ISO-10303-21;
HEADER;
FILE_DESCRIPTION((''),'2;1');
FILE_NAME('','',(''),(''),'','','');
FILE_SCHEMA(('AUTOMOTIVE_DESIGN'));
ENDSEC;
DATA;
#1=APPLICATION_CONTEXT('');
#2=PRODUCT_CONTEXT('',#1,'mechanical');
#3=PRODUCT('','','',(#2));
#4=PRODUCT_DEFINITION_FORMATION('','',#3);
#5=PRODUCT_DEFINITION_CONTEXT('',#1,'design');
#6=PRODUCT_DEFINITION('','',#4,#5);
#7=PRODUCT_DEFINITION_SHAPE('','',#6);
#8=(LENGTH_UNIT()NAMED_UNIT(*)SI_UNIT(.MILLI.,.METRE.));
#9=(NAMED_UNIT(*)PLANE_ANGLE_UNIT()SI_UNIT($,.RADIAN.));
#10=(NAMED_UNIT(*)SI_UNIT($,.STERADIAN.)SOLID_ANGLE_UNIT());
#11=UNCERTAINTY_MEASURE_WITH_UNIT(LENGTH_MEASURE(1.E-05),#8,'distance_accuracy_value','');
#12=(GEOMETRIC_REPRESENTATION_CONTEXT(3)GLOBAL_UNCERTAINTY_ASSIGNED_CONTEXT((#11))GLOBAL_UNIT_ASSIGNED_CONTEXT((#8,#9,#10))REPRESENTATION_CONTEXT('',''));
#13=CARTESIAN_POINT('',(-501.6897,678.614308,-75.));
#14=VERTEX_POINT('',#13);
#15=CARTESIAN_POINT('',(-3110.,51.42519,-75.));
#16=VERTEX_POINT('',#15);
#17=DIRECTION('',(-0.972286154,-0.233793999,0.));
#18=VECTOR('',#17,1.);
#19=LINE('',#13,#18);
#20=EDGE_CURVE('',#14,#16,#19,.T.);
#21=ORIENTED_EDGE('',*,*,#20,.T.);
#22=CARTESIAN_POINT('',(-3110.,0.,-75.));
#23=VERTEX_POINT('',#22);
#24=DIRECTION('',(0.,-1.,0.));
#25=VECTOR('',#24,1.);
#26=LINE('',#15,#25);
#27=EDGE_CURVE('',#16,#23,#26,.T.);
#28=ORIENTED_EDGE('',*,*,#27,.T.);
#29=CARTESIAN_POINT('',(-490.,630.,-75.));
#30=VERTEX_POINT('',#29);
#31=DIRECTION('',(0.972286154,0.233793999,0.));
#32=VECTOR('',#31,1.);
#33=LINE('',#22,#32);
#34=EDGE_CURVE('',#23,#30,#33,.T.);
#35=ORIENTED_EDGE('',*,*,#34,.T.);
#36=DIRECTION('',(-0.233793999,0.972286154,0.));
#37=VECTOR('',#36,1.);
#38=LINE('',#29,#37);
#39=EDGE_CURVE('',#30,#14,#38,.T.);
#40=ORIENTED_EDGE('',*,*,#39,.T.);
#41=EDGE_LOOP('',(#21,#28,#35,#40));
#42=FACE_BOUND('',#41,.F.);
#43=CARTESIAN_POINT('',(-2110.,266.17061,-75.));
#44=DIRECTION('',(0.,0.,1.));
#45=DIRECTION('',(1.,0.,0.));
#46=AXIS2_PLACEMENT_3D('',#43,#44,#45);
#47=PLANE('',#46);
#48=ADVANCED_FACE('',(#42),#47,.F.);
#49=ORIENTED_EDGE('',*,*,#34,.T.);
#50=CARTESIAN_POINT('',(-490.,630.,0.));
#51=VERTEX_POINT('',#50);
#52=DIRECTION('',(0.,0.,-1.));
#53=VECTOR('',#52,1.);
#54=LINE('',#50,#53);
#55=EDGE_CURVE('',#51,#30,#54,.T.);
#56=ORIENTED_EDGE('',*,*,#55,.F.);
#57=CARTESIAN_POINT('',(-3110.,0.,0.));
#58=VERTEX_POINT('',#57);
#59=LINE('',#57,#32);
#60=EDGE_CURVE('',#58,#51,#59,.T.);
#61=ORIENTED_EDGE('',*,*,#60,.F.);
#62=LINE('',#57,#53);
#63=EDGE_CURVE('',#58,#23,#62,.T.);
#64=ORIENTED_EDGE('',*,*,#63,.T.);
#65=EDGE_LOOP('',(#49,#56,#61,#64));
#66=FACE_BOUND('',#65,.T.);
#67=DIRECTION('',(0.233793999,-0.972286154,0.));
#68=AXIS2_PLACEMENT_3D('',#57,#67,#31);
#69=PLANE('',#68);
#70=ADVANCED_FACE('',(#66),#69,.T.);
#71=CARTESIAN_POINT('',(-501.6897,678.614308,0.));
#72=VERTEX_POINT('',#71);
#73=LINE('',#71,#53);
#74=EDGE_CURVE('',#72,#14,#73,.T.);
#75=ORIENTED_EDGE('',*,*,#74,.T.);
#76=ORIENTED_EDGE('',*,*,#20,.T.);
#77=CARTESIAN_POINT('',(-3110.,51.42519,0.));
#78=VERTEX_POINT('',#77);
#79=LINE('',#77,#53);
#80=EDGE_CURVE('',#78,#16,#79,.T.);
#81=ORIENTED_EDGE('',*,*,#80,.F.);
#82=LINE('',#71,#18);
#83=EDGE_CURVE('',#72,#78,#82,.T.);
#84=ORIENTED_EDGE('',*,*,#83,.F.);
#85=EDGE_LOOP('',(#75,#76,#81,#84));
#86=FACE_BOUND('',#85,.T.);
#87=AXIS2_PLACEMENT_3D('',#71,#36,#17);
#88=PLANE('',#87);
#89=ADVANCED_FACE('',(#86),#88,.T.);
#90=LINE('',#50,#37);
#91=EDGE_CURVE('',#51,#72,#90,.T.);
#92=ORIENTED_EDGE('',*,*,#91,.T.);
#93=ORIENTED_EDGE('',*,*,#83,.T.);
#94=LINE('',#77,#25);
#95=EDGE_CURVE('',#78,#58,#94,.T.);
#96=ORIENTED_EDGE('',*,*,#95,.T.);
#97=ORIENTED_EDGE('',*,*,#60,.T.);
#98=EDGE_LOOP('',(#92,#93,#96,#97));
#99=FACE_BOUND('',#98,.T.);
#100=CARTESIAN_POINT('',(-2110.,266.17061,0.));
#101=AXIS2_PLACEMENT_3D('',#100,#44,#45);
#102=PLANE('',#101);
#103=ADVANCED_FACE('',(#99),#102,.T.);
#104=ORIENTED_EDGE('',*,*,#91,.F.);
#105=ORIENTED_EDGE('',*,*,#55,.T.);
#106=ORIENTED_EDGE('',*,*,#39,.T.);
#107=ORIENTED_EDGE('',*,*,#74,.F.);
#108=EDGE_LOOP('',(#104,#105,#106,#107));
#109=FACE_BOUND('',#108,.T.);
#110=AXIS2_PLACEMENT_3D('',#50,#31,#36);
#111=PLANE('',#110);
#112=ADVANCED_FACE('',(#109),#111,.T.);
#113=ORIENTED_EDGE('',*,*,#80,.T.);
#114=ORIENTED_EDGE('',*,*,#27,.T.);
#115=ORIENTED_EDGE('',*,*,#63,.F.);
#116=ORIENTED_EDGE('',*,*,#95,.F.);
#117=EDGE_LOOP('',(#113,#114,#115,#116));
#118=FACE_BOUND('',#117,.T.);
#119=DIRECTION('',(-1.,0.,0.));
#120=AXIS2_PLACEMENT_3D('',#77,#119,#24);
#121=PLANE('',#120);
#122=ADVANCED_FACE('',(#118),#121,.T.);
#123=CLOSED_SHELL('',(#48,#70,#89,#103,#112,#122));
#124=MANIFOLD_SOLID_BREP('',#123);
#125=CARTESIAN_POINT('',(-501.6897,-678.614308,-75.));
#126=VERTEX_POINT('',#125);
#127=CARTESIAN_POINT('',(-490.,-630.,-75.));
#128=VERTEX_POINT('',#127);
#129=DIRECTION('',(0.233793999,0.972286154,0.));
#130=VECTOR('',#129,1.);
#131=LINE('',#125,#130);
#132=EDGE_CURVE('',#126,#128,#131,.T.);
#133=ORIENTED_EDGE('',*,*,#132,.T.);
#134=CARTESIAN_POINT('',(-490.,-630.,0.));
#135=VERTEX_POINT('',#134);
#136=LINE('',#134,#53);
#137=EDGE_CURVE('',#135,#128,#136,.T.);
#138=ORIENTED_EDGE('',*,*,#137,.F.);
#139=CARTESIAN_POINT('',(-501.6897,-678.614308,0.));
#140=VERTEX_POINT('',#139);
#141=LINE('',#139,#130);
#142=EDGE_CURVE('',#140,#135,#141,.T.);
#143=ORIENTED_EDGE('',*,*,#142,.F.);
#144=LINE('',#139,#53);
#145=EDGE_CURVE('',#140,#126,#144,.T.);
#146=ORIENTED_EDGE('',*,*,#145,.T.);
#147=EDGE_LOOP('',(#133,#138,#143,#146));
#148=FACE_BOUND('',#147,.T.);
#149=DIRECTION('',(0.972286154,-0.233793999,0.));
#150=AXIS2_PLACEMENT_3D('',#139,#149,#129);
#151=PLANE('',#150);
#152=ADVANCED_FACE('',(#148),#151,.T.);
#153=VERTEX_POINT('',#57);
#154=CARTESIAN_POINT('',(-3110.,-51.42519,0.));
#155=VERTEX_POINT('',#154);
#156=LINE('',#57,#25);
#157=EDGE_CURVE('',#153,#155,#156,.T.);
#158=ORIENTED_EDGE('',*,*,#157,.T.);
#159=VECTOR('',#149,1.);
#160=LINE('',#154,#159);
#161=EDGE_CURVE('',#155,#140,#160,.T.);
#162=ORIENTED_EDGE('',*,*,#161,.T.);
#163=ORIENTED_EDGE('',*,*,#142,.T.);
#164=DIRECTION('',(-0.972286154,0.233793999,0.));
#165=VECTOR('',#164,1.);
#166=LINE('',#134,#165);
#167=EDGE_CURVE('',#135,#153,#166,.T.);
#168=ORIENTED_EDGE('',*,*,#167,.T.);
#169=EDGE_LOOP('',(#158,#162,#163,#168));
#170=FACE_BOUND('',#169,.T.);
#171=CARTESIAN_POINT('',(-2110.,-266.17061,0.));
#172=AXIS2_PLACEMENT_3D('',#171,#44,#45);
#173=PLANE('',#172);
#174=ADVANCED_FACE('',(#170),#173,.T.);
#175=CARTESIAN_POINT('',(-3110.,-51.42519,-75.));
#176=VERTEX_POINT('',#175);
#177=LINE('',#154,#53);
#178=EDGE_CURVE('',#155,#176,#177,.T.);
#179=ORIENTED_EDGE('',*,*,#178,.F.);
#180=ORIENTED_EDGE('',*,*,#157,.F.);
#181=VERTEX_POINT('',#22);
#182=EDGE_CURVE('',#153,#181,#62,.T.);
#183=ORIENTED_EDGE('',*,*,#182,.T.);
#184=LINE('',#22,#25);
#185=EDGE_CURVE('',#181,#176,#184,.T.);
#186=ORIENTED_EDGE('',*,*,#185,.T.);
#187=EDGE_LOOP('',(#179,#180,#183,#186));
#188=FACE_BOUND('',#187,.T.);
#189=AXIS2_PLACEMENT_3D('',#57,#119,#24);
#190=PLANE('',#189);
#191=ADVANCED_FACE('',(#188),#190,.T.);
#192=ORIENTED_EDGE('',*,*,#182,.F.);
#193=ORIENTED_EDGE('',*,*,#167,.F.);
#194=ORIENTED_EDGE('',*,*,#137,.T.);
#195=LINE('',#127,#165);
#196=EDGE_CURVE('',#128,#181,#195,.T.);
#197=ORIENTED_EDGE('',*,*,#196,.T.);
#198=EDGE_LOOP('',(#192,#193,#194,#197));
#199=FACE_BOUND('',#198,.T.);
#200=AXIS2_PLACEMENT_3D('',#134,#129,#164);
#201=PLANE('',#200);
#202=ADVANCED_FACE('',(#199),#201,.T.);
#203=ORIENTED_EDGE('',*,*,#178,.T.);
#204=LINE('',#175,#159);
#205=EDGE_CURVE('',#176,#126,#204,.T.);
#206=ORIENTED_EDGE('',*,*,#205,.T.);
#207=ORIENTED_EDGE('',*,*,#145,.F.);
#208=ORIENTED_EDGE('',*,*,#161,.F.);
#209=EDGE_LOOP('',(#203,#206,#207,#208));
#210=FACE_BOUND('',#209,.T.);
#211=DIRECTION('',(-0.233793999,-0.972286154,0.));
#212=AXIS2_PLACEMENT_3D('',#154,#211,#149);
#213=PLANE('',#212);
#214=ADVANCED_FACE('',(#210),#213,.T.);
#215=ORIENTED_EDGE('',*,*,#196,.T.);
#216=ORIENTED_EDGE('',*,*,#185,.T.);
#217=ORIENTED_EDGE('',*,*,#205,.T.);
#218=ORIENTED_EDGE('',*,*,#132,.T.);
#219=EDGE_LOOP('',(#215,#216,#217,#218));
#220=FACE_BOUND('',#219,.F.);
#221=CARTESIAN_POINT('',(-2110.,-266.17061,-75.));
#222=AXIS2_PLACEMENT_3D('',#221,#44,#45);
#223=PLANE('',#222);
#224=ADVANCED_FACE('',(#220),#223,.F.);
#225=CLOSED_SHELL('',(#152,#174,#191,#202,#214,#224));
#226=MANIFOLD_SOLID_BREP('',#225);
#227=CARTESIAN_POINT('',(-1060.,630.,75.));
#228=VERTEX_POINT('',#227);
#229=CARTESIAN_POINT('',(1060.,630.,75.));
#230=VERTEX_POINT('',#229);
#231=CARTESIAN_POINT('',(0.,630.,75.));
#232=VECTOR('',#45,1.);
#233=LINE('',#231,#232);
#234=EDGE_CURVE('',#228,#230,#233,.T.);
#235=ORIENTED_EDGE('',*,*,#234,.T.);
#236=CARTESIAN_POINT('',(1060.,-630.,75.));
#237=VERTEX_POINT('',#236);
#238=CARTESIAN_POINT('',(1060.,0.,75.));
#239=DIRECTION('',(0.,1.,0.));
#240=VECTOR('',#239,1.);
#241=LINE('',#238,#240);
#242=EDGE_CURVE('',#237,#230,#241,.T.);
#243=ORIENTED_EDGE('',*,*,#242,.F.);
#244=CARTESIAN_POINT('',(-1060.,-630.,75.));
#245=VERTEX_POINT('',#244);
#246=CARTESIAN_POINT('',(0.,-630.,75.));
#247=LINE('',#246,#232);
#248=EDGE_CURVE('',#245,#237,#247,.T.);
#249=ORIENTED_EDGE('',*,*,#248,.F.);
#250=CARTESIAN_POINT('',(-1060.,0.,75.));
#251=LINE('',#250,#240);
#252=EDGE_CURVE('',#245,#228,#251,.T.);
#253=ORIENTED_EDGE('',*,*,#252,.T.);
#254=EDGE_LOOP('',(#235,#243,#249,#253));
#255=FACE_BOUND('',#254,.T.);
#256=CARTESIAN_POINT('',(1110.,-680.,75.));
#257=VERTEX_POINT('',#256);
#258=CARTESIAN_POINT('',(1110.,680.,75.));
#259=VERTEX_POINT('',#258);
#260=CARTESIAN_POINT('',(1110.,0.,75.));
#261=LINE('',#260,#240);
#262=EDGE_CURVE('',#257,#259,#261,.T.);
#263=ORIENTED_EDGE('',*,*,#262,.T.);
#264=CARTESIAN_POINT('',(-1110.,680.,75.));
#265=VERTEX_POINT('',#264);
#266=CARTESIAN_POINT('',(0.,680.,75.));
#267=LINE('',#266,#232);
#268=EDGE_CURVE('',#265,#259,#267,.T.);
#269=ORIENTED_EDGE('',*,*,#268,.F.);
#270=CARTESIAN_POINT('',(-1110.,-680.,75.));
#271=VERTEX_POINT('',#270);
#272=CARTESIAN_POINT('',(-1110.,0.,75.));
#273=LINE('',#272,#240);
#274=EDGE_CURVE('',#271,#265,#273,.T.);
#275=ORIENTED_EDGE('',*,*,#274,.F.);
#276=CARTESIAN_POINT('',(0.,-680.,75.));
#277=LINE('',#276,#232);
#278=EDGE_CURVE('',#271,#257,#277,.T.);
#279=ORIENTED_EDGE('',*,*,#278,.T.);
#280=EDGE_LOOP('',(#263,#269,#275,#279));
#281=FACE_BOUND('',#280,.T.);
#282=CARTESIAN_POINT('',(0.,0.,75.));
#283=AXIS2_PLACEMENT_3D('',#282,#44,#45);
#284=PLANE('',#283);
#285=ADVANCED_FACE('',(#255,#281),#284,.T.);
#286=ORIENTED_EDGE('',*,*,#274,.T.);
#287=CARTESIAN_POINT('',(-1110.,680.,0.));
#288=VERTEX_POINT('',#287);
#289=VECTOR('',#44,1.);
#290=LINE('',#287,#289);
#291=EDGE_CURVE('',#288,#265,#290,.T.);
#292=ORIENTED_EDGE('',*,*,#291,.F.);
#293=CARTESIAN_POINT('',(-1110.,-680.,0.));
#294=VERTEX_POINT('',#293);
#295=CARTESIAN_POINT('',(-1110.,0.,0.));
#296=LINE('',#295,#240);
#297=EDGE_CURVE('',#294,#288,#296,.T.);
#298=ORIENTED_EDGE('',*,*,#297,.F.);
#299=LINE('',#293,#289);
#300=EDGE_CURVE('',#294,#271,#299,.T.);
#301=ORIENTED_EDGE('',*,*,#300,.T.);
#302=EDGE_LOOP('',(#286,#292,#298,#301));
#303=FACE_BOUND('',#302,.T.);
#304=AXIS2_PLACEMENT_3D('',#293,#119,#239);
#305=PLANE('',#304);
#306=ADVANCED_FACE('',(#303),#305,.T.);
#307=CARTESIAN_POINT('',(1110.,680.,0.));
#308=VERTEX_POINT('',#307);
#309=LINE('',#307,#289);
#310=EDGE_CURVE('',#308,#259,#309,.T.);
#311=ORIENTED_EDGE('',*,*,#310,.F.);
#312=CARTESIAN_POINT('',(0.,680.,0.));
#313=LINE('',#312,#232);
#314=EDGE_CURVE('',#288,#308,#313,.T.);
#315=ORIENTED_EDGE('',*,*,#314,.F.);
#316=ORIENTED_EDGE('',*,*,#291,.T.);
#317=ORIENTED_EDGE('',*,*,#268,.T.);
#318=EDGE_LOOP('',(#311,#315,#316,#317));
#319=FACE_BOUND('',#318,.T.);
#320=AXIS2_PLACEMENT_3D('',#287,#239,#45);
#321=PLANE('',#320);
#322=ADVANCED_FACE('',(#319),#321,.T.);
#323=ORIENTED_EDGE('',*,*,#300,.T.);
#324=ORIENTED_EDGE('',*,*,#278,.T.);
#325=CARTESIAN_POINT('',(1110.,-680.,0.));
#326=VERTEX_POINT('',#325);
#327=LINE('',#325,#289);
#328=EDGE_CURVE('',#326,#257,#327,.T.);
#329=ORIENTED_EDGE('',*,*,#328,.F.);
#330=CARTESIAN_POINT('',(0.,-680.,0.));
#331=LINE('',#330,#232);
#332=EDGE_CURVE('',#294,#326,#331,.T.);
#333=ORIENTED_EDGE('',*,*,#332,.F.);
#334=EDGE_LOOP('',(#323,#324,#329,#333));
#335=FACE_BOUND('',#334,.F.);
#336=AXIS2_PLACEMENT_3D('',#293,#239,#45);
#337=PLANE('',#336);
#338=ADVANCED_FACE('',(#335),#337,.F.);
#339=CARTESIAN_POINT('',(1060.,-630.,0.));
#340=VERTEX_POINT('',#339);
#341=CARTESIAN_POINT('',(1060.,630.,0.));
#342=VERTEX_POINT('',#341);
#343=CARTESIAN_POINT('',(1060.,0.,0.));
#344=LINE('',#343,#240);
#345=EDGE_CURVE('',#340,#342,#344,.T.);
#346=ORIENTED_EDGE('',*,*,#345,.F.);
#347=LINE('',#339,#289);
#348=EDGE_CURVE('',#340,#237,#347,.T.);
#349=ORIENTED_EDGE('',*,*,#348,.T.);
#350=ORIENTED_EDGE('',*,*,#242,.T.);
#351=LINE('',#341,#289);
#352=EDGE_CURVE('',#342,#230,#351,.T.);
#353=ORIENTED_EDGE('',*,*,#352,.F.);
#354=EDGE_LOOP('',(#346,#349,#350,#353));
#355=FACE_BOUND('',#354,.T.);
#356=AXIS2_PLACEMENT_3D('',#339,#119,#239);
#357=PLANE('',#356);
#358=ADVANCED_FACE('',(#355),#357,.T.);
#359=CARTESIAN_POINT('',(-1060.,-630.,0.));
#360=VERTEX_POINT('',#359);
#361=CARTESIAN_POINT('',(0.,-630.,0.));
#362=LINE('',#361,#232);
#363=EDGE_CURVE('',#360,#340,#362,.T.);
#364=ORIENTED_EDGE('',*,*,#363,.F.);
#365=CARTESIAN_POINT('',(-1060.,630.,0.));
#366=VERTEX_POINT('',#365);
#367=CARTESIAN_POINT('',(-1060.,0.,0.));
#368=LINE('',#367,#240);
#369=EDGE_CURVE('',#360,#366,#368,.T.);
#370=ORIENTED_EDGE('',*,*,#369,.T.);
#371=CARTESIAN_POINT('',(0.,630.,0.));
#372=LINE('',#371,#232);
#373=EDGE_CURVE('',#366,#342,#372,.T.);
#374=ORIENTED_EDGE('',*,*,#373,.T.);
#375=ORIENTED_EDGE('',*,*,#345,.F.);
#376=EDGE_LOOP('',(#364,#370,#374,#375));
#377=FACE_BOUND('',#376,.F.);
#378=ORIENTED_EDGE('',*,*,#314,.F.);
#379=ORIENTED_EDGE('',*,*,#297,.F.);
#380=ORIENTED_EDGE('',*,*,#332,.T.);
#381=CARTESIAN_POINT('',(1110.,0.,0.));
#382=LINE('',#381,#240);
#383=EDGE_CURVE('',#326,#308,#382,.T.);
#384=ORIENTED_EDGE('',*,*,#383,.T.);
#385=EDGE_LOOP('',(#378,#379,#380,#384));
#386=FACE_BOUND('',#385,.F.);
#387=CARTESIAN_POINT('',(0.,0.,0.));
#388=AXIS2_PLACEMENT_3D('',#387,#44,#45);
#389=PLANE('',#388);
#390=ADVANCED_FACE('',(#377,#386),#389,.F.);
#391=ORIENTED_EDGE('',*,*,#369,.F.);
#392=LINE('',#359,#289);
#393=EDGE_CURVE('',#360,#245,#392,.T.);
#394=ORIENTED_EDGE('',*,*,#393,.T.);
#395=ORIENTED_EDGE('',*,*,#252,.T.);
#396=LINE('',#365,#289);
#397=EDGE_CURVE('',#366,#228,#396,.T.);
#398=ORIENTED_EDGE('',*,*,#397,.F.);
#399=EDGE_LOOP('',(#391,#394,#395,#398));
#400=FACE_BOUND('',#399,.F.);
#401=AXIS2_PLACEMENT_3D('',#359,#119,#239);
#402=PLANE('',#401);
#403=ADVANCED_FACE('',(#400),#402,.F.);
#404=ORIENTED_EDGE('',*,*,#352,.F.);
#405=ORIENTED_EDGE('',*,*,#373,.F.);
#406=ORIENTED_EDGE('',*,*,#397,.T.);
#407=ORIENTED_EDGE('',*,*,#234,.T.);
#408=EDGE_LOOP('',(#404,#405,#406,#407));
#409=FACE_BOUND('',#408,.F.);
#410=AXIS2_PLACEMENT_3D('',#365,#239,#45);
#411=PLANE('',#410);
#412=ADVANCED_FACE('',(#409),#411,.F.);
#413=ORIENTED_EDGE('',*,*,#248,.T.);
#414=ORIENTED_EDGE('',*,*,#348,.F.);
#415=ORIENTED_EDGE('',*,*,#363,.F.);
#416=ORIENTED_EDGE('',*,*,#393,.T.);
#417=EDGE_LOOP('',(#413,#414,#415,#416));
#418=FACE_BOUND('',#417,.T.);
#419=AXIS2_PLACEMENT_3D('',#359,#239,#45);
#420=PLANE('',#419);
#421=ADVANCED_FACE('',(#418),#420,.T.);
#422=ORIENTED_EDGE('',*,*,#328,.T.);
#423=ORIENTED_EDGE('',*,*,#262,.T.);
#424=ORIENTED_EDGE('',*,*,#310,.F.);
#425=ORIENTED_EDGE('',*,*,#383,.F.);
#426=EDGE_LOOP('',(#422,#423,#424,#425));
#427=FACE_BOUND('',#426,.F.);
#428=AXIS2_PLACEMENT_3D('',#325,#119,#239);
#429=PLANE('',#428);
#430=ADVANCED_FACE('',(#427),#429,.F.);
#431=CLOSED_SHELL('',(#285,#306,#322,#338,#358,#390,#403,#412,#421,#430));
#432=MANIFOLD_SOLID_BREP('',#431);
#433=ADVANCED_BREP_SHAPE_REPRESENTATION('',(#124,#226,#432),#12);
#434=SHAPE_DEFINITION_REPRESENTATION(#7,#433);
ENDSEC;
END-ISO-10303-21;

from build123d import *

# Parameters (mm, degrees)
F0_W     = 2220
F0_H     = 1360
F0_W_2   = 2120
F0_H_2   = 1260
F1_DEPTH = 75
F3_DEPTH = 75


with BuildPart() as f1:
    # F0 (on Top) → F1 (new body)
    with BuildSketch(Plane.XY):
        Rectangle(F0_W, F0_H)
        Rectangle(F0_W_2, F0_H_2, mode=Mode.SUBTRACT)
    extrude(amount=F1_DEPTH)


with BuildPart() as f3:
    # F2 (on Top) → F3 (new body)
    with BuildSketch(Plane.XY):
        Polygon((-3110, -51.4251897689), (-1110, -532.3412203032), (-1110, -480.9160305344), (-3110, 0), align=None)
        Polygon((-1110, -480.9160305344), (-1110, -532.3412203032), (-703.8634876103, -630), (-490, -630), align=None)
        Polygon((-490, -630), (-703.8634876103, -630), (-501.689699948, -678.6143077203), align=None)
    extrude(amount=-F3_DEPTH)


with BuildPart() as f3b:
    # F2 (on Top) → F3, piece 2 (new body)
    with BuildSketch(Plane.XY):
        Polygon((-1110, 480.9160305344), (-1110, 532.3412203032), (-3110, 51.4251897689), (-3110, 0), align=None)
        Polygon((-703.8634876103, 630), (-1110, 532.3412203032), (-1110, 480.9160305344), (-490, 630), align=None)
        Polygon((-501.689699948, 678.6143077203), (-703.8634876103, 630), (-490, 630), align=None)
    extrude(amount=-F3_DEPTH)


solid = Compound([f1.part, f3.part, f3b.part])
